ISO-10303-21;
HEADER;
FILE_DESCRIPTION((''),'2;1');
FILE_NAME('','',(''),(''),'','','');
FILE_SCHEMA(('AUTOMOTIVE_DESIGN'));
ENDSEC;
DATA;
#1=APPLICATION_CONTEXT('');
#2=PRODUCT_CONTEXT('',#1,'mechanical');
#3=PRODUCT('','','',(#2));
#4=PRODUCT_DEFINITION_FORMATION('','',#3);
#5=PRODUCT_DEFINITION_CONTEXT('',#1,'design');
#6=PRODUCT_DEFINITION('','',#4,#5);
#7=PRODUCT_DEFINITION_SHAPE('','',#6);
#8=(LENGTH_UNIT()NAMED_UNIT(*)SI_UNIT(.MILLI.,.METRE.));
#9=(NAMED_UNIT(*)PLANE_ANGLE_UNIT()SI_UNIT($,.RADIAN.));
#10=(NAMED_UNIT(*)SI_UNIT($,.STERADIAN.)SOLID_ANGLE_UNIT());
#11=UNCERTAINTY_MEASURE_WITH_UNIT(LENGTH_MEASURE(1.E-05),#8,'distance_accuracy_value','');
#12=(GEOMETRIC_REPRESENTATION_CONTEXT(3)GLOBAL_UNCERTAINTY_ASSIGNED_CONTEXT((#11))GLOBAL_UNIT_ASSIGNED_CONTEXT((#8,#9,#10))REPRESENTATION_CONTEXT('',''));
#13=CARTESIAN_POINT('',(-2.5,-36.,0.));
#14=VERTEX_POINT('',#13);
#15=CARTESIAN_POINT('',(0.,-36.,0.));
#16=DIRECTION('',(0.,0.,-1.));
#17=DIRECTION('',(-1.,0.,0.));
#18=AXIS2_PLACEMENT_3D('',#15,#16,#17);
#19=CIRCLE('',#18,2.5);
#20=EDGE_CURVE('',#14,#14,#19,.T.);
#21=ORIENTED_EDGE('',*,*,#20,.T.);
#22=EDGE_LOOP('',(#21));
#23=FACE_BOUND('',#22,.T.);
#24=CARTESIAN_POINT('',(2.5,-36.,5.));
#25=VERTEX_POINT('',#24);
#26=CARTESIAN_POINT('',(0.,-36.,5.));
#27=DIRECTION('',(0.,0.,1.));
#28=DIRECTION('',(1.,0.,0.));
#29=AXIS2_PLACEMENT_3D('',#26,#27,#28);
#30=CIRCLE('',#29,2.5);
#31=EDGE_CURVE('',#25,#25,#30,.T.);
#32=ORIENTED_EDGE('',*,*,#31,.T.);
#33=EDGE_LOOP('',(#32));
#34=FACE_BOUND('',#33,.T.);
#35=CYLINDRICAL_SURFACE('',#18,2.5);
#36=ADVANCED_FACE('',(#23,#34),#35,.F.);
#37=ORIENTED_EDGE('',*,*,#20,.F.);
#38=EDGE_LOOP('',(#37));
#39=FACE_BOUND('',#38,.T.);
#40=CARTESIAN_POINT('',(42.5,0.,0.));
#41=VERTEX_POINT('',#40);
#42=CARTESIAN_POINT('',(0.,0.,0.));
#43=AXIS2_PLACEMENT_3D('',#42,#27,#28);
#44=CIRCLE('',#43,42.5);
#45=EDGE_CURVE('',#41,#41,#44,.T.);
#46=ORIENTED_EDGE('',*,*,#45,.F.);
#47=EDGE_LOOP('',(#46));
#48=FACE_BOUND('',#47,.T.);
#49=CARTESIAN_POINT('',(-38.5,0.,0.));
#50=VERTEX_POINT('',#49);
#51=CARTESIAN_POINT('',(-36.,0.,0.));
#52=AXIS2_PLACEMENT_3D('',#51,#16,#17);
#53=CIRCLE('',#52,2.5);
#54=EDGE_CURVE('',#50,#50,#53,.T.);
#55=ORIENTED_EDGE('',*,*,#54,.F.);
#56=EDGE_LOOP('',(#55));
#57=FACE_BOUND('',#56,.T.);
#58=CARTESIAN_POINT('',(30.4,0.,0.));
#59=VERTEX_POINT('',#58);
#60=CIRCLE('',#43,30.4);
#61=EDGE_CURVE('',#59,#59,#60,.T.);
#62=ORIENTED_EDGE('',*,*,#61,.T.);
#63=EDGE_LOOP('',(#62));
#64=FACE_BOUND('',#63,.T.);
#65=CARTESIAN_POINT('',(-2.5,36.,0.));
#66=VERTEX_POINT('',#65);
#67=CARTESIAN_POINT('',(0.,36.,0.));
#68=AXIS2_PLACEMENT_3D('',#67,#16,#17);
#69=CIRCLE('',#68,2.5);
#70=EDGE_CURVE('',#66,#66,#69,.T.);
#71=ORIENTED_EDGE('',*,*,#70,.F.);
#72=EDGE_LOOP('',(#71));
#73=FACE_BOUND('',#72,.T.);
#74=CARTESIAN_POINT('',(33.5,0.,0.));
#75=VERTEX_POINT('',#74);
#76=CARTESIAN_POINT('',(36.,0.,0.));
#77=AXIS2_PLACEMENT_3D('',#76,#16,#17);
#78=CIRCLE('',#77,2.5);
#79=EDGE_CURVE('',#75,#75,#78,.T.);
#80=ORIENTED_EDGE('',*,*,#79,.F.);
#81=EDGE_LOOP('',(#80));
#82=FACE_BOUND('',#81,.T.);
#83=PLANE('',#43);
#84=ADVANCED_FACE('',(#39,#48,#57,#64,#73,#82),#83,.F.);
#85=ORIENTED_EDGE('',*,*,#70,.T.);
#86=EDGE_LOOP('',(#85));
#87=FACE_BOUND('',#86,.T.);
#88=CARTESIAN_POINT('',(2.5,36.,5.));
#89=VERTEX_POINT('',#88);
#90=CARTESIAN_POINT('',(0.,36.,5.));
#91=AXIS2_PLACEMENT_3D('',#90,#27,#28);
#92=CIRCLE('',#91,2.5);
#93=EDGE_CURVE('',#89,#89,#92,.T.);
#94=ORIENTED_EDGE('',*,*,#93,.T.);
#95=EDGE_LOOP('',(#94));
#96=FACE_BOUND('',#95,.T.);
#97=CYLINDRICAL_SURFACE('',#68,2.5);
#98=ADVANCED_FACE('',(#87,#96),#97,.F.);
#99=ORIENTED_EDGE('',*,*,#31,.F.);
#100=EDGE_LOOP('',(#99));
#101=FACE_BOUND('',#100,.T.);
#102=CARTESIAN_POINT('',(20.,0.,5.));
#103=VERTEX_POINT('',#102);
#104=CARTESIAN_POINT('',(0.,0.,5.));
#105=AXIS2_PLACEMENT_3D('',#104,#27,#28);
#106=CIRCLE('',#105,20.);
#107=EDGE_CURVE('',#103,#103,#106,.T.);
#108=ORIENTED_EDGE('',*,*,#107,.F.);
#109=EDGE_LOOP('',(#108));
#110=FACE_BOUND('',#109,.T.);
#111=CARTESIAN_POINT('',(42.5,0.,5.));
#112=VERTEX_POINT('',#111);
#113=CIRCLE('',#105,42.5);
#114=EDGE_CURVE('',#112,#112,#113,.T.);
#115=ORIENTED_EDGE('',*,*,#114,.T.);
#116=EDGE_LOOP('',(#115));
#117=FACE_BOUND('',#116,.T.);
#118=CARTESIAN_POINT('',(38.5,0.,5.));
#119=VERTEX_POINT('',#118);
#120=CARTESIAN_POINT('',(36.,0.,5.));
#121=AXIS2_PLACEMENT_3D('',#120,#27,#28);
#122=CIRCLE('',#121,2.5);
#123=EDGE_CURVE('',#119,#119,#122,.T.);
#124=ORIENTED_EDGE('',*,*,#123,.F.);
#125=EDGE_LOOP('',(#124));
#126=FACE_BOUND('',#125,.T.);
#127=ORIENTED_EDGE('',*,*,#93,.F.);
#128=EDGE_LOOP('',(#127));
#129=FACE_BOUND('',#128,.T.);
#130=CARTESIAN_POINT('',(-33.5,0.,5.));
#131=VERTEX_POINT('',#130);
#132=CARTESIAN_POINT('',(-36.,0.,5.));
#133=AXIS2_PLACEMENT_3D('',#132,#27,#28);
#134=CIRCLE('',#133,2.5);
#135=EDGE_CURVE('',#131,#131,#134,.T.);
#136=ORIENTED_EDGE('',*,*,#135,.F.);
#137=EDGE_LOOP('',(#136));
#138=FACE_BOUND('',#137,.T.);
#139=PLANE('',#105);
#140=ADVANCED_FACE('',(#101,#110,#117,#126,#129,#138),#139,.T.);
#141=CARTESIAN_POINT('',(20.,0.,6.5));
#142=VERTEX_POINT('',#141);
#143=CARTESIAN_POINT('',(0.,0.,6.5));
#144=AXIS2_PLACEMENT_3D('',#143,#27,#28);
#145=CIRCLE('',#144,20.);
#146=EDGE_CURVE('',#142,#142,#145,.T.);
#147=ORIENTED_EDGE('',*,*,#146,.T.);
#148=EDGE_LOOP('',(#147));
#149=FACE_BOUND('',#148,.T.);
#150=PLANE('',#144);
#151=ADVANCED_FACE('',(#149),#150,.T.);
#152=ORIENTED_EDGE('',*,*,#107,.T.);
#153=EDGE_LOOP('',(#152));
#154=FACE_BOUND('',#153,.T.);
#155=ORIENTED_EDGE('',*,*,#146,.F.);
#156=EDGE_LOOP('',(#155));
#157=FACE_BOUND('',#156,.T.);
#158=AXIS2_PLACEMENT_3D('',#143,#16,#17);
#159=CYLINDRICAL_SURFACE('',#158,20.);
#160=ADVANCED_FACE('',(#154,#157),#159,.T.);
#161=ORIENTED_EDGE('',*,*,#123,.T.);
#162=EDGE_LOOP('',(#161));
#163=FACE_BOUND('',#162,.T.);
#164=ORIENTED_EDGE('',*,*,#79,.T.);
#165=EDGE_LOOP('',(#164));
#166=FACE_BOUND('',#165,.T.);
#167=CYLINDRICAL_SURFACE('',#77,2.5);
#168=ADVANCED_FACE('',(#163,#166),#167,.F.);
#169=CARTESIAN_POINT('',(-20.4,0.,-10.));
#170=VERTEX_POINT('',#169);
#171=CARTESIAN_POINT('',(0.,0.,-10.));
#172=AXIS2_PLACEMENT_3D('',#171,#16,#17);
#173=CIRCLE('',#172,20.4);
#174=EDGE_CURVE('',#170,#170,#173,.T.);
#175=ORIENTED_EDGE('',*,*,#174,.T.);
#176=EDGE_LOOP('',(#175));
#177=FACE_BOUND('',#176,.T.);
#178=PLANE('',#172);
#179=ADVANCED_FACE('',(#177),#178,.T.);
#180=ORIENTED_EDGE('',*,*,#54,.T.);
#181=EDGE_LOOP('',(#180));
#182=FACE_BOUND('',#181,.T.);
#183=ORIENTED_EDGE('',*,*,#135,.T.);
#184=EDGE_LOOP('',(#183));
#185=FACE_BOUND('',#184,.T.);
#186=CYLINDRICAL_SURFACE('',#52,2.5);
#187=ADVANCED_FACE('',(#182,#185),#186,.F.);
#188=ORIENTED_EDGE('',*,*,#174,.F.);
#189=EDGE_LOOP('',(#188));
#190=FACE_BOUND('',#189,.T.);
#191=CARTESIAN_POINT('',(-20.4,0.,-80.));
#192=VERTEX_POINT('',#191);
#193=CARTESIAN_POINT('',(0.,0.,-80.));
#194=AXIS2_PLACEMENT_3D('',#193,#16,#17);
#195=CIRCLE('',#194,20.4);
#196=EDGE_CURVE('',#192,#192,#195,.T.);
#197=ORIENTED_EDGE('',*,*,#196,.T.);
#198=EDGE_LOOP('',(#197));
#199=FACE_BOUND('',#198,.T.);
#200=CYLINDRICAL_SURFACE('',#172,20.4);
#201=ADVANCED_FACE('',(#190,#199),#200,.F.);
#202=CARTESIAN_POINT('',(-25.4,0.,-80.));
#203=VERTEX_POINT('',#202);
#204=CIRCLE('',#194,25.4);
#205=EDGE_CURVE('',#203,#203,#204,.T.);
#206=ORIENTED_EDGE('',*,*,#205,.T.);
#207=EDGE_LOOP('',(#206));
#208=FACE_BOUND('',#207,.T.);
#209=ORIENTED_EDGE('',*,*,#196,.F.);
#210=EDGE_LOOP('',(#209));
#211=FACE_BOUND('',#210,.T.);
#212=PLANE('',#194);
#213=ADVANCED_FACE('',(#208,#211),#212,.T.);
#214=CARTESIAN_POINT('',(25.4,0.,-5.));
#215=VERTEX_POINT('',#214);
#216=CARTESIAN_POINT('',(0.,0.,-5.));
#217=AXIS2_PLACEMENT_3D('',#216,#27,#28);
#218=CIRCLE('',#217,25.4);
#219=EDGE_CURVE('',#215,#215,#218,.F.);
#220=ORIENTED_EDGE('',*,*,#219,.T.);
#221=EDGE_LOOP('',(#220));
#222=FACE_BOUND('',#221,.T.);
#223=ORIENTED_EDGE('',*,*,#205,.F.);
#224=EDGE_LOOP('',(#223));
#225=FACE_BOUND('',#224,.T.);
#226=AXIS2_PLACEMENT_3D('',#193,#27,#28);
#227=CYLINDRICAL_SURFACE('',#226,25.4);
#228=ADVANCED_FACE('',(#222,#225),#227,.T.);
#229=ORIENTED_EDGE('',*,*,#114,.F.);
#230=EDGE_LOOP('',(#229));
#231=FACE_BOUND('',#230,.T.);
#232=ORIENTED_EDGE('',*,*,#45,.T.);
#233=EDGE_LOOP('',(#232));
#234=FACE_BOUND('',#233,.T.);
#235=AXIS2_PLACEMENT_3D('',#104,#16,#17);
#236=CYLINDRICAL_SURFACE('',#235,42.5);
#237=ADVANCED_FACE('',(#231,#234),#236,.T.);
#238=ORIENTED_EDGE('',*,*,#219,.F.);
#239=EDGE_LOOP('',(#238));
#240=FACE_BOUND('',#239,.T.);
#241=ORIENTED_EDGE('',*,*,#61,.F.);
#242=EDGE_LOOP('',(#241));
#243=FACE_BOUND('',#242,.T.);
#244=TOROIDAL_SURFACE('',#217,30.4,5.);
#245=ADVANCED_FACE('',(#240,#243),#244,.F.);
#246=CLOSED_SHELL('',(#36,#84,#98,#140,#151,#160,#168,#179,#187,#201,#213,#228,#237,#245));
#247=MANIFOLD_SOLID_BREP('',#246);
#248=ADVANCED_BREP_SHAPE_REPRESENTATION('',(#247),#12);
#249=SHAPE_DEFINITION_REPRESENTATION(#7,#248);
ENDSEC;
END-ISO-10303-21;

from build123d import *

# Parameters (mm, degrees)
SKETCH1_R                 = 42.5
BOSS_EXTRUDE1_DEPTH       = 5
SKETCH4_R                 = 25.4
BOSS_EXTRUDE2_DEPTH       = 80
SKETCH5_R                 = 20.4
CUT_EXTRUDE1_DEPTH        = 70
FILLET1_R                 = 5
M6X1_0_TAPPED_HOLE1_D     = 5
M6X1_0_TAPPED_HOLE1_DEPTH = 5
SKETCH8_R                 = 20
BOSS_EXTRUDE3_DEPTH       = 1.5


with BuildPart() as part:
    # Sketch1 → Boss-Extrude1 (new body)
    with BuildSketch(Plane.XY):
        Circle(SKETCH1_R)
    extrude(amount=BOSS_EXTRUDE1_DEPTH)

    # Sketch4 → Boss-Extrude2 (add)
    with BuildSketch(Plane(origin=(0, 0, 0), x_dir=(-1, 0, 0), z_dir=(0, 0, -1))):
        Circle(SKETCH4_R)
    extrude(amount=BOSS_EXTRUDE2_DEPTH)

    # Sketch5 → Cut-Extrude1 (cut)
    with BuildSketch(Plane(origin=(0, 0, -80), x_dir=(-1, 0, 0), z_dir=(0, 0, -1))):
        Circle(SKETCH5_R)
    extrude(amount=-CUT_EXTRUDE1_DEPTH, mode=Mode.SUBTRACT)

    # Fillet1
    fillet1_edges = [part.edges().sort_by_distance(p)[0] for p in [
        (25.4, 0, 0),
    ]]
    fillet(fillet1_edges, radius=FILLET1_R)

    # M6x1.0 Tapped Hole1
    with Locations(Plane(origin=(0, 0, 0), x_dir=(-1, 0, 0), z_dir=(0, 0, -1))):
        with Locations((0, 36), (36, 0), (0, -36), (-36, 0)):
            Hole(M6X1_0_TAPPED_HOLE1_D / 2, depth=M6X1_0_TAPPED_HOLE1_DEPTH)

    # Sketch8 → Boss-Extrude3 (add)
    with BuildSketch(Plane.XY.offset(5)):
        Circle(SKETCH8_R)
    extrude(amount=BOSS_EXTRUDE3_DEPTH)


solid = part.part
